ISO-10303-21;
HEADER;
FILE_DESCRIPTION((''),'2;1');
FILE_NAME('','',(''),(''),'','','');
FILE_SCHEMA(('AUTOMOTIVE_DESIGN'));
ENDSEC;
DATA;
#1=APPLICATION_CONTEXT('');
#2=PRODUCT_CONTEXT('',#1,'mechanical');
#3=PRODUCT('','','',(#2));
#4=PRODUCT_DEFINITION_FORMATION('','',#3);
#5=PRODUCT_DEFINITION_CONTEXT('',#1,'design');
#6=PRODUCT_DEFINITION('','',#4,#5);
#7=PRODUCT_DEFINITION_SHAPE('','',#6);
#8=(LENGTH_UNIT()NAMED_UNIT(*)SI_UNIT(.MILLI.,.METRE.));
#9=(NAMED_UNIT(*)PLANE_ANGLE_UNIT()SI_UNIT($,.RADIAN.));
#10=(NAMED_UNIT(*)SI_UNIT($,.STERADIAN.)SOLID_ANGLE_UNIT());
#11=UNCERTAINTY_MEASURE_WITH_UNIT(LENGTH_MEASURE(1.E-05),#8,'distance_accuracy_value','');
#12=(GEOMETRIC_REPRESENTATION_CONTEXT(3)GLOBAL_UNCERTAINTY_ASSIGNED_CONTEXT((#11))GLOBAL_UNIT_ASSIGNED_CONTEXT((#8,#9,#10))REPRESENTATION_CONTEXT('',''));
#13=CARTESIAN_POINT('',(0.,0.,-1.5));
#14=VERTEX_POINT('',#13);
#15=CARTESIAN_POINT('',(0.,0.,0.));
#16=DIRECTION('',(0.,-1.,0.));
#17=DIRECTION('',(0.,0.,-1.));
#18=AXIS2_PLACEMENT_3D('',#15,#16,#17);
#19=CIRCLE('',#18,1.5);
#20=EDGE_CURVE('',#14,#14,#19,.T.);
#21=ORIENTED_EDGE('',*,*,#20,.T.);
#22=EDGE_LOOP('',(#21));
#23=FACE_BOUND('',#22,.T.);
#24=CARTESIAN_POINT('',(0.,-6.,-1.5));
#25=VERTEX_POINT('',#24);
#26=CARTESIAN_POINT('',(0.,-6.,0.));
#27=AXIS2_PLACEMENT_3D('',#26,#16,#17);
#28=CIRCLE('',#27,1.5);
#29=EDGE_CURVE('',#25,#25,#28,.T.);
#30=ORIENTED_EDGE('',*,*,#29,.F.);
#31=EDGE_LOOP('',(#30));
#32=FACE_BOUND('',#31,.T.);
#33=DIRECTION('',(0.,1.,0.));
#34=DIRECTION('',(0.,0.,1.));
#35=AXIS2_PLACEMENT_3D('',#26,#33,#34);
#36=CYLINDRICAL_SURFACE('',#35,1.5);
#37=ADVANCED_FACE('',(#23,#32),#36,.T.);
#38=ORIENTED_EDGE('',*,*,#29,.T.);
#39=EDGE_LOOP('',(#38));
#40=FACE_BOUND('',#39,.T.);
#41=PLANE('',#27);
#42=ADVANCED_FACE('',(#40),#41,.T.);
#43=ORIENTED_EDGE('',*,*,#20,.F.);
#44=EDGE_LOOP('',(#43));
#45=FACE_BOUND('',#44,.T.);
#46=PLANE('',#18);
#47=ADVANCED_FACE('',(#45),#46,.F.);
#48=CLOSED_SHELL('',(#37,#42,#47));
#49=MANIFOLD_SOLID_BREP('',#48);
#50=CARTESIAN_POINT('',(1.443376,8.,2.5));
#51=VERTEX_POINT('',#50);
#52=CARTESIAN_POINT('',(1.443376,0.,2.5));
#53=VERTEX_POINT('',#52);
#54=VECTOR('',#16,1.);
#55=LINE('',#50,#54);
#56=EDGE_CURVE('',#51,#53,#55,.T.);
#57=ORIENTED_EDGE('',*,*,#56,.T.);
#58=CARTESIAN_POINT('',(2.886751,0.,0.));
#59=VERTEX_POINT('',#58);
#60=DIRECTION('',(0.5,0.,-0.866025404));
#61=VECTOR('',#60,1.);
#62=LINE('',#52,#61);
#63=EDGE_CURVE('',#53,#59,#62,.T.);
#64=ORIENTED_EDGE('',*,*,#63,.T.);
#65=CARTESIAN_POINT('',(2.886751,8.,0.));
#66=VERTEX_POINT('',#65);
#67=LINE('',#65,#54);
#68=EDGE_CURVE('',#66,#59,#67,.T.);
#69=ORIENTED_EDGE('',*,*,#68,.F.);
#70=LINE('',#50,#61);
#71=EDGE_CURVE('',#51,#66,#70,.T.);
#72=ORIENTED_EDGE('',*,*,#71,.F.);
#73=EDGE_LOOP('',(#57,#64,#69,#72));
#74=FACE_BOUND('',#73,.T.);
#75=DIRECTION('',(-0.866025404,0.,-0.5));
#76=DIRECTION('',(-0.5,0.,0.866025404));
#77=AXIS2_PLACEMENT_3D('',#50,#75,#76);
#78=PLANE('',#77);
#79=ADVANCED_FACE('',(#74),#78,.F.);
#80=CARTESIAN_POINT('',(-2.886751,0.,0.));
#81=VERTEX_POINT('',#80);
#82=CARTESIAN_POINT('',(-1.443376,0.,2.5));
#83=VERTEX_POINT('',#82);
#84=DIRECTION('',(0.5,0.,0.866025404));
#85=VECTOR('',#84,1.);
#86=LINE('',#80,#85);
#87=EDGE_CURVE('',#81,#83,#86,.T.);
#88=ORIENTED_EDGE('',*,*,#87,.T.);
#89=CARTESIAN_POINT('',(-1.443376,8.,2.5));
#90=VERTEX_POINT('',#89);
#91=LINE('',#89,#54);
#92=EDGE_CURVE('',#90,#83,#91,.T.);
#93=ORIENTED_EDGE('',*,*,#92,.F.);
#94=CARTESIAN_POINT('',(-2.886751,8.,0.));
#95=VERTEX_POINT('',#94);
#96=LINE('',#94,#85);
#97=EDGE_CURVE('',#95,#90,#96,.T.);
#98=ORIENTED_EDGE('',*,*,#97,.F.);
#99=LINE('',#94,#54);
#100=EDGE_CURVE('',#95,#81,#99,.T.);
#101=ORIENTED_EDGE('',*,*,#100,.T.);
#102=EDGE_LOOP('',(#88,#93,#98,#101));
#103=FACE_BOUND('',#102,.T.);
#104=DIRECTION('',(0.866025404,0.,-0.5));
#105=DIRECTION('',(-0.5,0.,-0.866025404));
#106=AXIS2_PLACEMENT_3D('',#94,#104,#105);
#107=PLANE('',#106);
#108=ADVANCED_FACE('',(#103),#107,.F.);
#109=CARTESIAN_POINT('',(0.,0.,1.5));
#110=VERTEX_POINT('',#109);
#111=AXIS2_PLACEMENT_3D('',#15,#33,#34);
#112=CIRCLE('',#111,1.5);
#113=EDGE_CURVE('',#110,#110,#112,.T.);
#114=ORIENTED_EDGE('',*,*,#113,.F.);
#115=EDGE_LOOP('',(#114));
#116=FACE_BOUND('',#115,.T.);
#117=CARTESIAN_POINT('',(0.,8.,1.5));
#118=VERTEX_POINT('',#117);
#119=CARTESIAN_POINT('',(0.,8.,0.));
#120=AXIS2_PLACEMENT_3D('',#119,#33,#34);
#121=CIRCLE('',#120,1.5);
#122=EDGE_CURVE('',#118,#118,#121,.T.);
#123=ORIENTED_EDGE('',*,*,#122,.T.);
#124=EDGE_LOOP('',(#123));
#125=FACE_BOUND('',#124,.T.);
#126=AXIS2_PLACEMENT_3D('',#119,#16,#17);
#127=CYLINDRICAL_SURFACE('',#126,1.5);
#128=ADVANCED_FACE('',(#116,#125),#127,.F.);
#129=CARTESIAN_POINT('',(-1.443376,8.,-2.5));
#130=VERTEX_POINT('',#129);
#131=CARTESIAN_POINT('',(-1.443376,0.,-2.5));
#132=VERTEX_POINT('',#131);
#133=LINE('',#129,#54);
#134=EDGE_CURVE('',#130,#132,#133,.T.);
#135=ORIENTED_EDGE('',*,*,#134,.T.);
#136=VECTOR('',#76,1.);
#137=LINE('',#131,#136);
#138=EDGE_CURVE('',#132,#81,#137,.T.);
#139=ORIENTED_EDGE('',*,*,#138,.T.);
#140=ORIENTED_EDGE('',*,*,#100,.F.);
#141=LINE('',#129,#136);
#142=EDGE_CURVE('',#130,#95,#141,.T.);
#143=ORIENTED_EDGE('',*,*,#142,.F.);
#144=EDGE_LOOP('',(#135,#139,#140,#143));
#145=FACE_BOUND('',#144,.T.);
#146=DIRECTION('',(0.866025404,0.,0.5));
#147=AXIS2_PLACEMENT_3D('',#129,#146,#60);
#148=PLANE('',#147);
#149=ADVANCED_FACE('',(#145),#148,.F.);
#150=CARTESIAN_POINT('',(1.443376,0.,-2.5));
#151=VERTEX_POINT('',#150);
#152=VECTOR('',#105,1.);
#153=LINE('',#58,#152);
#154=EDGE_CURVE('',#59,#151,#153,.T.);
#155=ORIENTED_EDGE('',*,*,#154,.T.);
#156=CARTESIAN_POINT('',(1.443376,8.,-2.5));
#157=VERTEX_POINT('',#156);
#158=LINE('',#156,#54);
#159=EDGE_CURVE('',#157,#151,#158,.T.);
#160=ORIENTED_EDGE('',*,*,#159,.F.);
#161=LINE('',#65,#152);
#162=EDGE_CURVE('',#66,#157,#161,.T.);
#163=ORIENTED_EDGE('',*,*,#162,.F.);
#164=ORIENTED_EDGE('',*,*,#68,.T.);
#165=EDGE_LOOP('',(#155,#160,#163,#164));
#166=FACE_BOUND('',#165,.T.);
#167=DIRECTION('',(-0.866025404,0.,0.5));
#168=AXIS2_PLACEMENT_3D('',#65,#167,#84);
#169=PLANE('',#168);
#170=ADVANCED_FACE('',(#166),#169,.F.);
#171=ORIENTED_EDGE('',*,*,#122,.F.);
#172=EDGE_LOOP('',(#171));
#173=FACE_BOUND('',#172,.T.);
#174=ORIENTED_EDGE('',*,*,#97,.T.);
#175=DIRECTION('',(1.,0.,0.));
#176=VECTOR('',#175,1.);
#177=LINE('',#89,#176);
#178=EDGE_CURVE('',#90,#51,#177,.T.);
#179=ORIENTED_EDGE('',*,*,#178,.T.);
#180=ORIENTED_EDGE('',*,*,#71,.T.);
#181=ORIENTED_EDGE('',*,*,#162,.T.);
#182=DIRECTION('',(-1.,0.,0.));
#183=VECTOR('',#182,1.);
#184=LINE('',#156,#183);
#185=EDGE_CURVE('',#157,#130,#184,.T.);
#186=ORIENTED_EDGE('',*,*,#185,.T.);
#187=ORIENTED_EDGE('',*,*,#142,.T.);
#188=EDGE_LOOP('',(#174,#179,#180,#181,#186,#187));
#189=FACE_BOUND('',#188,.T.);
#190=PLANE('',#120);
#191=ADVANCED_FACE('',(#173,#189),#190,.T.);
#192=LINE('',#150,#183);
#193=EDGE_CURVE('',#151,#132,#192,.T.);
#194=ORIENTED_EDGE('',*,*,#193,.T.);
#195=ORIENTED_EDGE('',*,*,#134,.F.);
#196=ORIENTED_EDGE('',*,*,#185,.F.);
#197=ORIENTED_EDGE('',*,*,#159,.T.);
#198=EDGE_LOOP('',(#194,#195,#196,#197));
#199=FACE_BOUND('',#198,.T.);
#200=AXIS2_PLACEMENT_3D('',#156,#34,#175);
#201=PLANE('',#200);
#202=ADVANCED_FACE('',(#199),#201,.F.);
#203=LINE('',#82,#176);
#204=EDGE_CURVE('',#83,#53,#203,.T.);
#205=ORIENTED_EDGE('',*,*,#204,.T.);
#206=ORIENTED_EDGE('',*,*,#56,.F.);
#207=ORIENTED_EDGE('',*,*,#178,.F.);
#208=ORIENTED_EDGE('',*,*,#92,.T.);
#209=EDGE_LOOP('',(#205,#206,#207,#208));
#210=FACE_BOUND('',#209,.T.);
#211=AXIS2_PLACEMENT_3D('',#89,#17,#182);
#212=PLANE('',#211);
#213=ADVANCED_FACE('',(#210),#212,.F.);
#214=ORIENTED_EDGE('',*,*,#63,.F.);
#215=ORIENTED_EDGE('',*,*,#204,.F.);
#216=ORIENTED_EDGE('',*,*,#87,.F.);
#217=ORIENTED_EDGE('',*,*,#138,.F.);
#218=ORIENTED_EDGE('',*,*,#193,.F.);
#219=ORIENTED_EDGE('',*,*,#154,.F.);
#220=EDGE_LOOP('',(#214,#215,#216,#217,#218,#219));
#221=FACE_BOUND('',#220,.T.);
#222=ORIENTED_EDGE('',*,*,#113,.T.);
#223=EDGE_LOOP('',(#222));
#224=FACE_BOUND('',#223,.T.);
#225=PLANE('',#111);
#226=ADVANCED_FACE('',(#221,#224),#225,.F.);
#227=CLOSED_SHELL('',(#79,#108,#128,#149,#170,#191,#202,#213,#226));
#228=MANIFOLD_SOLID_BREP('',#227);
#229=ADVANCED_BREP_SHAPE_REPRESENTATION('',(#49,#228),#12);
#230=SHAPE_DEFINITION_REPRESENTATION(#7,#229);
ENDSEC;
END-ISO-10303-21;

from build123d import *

# Parameters (mm, degrees)
CROQUIS1_R              = 1.5
SALIENTE_EXTRUIR1_DEPTH = 8
CROQUIS2_R              = 1.5
SALIENTE_EXTRUIR2_DEPTH = 6


with BuildPart() as part:
    # Croquis1 → Saliente-Extruir1 (new body)
    with BuildSketch(Plane(origin=(0, 0, 0), x_dir=(1, 0, 0), z_dir=(0, 1, 0))):
        Polygon((1.443375673, -2.5), (2.886751346, 0), (1.443375673, 2.5), (-1.443375673, 2.5), (-2.886751346, 0), (-1.443375673, -2.5), align=None)
        Circle(CROQUIS1_R, mode=Mode.SUBTRACT)
    extrude(amount=SALIENTE_EXTRUIR1_DEPTH)


with BuildPart() as body_2:
    # Croquis2 → Saliente-Extruir2 (new body)
    with BuildSketch(Plane.XZ):
        Circle(CROQUIS2_R)
    extrude(amount=SALIENTE_EXTRUIR2_DEPTH)


solid = Compound([part.part, body_2.part])
